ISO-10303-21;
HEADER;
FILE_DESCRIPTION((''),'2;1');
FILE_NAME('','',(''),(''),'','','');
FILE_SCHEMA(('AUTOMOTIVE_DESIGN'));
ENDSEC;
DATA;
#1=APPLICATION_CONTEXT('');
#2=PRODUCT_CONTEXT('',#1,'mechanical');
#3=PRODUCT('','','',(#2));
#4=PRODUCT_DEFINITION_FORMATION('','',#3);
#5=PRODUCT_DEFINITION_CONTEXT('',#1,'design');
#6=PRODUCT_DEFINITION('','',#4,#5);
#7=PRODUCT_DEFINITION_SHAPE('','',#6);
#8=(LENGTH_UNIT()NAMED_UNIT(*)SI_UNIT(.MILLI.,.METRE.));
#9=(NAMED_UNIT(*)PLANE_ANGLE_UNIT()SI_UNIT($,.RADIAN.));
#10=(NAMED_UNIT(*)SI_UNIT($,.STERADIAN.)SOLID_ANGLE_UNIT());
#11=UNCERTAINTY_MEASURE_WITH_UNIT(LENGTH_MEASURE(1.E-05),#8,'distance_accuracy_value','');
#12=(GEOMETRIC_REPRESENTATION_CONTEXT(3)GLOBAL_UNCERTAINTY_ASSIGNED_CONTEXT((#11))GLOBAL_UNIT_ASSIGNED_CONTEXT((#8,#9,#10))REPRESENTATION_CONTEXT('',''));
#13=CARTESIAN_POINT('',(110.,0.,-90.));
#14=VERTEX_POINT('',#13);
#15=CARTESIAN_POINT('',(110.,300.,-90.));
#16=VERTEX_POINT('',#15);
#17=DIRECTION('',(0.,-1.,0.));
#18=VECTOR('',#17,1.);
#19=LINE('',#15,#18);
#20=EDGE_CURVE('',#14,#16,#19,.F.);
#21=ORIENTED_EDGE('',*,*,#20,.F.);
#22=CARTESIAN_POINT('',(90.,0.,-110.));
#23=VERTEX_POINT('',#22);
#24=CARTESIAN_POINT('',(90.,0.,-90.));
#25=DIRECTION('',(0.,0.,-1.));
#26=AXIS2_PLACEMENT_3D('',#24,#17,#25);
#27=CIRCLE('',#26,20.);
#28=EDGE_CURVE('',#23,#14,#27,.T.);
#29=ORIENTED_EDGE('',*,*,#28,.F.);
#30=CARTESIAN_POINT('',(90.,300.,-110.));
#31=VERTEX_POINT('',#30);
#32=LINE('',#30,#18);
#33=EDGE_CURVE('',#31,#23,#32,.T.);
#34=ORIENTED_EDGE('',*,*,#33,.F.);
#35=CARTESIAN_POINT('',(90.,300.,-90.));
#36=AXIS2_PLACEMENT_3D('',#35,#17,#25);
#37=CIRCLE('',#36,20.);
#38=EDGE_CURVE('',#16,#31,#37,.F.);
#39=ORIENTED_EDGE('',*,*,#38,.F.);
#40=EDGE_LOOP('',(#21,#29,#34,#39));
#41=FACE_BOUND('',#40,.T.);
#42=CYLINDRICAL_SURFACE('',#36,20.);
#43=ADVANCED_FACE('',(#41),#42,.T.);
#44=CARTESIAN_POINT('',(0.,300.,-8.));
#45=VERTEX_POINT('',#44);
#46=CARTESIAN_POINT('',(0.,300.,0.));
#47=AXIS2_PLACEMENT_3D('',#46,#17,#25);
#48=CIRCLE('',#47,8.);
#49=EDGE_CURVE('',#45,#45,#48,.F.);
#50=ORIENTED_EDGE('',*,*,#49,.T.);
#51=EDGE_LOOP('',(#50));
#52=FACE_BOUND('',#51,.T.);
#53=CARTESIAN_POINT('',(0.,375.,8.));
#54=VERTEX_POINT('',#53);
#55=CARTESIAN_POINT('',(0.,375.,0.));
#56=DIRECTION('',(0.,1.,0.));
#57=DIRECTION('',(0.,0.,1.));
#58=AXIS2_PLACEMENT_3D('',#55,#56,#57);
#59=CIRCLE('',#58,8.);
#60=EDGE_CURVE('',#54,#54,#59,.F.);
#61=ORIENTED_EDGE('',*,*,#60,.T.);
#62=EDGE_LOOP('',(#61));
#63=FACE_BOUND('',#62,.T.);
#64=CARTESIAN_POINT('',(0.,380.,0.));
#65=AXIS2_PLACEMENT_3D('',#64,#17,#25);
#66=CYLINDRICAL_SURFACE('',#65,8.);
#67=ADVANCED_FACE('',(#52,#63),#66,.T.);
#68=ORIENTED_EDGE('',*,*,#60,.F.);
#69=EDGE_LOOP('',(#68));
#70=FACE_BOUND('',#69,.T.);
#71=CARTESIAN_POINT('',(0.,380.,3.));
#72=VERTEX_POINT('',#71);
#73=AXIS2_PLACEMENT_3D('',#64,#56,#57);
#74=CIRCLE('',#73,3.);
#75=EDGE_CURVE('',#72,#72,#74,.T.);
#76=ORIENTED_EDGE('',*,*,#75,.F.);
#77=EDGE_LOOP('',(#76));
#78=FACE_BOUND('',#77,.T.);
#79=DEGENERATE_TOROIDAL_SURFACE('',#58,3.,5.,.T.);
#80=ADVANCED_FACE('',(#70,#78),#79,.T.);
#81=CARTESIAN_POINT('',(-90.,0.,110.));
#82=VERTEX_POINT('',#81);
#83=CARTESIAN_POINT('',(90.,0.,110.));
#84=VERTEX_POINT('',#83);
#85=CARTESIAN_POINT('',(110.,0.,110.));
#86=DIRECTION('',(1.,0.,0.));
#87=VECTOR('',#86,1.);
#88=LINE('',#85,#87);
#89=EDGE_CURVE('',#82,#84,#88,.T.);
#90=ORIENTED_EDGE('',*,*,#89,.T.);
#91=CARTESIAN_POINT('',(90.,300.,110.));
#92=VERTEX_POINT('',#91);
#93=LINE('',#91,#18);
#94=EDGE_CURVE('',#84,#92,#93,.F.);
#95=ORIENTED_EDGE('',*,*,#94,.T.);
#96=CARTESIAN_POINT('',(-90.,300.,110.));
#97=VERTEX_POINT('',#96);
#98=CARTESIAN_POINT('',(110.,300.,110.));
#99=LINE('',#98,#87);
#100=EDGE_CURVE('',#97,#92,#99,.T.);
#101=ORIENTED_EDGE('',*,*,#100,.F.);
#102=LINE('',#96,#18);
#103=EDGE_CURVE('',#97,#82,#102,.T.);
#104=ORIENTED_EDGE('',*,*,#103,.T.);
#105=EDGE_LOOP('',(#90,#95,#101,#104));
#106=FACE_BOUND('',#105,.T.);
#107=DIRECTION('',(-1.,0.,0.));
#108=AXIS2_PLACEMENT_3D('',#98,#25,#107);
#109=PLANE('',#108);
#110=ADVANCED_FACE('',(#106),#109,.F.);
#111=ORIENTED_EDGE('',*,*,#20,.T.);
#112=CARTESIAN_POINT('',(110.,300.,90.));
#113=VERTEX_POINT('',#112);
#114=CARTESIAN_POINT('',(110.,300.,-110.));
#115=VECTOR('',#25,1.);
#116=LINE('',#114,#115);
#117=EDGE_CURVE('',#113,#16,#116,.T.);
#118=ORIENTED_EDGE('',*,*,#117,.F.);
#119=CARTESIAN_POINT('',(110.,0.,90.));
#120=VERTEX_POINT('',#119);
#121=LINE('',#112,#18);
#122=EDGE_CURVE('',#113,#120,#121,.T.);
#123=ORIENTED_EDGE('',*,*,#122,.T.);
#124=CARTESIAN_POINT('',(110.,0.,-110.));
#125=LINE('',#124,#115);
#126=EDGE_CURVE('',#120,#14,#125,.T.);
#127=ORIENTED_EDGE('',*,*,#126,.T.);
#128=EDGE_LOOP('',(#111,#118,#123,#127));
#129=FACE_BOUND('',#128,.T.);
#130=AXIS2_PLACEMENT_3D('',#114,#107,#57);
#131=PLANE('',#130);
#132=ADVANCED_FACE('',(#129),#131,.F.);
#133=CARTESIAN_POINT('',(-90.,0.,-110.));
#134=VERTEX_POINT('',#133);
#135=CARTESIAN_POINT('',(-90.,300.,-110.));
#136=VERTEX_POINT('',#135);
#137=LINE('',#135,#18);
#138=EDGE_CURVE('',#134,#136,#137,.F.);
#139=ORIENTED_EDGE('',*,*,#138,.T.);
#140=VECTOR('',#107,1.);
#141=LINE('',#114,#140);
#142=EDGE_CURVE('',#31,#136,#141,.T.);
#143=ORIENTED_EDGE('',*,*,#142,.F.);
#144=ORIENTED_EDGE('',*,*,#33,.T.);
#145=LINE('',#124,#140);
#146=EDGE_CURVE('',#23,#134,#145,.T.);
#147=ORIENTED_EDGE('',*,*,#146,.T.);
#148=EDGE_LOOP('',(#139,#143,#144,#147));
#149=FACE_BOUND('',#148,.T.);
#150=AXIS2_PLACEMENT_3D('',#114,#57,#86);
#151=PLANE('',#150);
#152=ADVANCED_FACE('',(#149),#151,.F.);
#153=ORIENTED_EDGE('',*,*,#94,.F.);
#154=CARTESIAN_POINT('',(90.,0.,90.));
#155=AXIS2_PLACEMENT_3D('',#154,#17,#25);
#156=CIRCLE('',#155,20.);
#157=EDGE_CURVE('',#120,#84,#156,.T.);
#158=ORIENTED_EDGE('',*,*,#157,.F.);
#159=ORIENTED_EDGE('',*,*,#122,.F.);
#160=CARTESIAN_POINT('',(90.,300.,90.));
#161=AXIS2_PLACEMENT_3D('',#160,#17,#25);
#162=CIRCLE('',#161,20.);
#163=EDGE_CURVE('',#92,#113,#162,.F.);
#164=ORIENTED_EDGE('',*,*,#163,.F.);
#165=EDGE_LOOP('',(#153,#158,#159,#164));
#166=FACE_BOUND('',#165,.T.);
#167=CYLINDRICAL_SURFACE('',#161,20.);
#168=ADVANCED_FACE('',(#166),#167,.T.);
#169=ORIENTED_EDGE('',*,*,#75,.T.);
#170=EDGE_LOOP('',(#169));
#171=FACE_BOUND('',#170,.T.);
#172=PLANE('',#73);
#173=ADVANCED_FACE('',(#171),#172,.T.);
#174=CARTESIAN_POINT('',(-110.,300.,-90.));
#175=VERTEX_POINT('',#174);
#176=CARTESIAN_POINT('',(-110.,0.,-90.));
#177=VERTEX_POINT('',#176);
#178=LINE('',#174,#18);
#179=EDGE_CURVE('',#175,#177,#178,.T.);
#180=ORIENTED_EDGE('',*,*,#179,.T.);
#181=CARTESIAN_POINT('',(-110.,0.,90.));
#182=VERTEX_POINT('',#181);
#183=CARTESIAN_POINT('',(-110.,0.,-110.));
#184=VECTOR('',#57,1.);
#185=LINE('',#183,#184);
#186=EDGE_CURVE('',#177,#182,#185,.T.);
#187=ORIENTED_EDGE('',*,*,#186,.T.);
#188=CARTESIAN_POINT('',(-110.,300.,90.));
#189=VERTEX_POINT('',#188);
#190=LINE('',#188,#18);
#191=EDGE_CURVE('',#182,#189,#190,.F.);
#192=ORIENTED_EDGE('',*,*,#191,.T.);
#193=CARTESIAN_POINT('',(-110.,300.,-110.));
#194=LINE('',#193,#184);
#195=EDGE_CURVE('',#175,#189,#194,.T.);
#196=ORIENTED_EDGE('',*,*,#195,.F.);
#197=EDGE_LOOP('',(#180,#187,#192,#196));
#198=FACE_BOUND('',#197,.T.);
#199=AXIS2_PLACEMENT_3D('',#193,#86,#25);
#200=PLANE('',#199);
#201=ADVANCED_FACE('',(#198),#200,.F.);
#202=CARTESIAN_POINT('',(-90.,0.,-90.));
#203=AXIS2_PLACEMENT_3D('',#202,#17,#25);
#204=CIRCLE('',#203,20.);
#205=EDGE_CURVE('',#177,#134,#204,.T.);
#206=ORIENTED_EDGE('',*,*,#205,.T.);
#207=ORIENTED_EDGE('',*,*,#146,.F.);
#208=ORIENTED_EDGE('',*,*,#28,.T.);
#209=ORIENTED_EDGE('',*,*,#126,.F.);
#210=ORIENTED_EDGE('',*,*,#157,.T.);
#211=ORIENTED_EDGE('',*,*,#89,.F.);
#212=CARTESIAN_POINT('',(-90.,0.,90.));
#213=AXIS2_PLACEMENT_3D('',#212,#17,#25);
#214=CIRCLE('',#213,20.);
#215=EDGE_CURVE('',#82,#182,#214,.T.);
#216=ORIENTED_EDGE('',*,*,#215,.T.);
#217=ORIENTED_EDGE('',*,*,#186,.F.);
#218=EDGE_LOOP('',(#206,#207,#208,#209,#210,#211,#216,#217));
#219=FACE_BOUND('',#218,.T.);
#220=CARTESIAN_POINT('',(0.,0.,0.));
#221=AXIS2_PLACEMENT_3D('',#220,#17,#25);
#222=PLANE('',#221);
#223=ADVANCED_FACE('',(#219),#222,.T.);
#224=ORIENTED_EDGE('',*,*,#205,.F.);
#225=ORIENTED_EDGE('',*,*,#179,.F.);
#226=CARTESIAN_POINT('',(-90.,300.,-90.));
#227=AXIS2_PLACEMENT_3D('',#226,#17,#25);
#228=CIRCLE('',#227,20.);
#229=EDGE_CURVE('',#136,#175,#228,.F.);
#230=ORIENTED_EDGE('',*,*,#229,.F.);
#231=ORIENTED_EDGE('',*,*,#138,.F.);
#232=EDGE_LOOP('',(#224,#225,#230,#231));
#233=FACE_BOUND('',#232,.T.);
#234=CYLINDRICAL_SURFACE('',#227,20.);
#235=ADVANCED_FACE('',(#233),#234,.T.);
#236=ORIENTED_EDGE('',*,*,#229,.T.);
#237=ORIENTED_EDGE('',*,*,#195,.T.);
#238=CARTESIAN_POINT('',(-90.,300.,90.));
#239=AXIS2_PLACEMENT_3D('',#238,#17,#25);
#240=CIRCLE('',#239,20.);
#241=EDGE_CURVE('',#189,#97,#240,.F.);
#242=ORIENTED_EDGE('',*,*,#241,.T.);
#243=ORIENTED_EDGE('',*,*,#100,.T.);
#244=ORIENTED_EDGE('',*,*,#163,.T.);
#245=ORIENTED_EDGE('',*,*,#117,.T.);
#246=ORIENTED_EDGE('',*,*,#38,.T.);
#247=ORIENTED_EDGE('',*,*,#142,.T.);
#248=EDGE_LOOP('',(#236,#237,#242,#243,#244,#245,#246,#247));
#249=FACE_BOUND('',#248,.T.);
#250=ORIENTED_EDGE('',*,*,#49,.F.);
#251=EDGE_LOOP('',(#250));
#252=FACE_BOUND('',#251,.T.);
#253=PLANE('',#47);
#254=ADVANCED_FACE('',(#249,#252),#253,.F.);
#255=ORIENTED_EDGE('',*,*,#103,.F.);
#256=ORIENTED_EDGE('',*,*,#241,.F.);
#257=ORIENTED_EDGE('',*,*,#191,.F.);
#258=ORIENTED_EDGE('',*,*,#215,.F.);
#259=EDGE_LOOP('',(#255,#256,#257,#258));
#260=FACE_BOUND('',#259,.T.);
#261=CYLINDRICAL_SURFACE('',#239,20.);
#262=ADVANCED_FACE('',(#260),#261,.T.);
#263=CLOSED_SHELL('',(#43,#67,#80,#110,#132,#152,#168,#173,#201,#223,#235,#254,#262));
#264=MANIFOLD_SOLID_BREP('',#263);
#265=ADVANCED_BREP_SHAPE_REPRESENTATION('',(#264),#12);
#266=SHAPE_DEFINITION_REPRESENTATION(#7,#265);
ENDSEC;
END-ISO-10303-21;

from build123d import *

# Parameters (mm, degrees)
SKETCH1_W           = 220
SKETCH1_H           = 220
BOSS_EXTRUDE1_DEPTH = 300
SKETCH2_R           = 8
BOSS_EXTRUDE2_DEPTH = 80
FILLET1_R           = 20
FILLET2_R           = 5


with BuildPart() as part:
    # Sketch1 → Boss-Extrude1 (new body)
    with BuildSketch(Plane(origin=(0, 0, 0), x_dir=(1, 0, 0), z_dir=(0, 1, 0))):
        Rectangle(SKETCH1_W, SKETCH1_H)
    extrude(amount=BOSS_EXTRUDE1_DEPTH)

    # Sketch2 → Boss-Extrude2 (add)
    with BuildSketch(Plane(origin=(0, 300, 0), x_dir=(1, 0, 0), z_dir=(0, 1, 0))):
        with Locations(Location((0, 0, 0), (0, 0, 90))):
            Circle(SKETCH2_R)
    extrude(amount=BOSS_EXTRUDE2_DEPTH)

    # Fillet1
    fillet1_edges = [part.edges().sort_by_distance(p)[0] for p in [
        (-110, 150, -110),
        (110, 150, -110),
        (110, 150, 110),
        (-110, 150, 110),
    ]]
    fillet(fillet1_edges, radius=FILLET1_R)

    # Fillet2
    fillet2_edges = [part.edges().sort_by_distance(p)[0] for p in [
        (0, 380, 8),
    ]]
    fillet(fillet2_edges, radius=FILLET2_R)


solid = part.part
